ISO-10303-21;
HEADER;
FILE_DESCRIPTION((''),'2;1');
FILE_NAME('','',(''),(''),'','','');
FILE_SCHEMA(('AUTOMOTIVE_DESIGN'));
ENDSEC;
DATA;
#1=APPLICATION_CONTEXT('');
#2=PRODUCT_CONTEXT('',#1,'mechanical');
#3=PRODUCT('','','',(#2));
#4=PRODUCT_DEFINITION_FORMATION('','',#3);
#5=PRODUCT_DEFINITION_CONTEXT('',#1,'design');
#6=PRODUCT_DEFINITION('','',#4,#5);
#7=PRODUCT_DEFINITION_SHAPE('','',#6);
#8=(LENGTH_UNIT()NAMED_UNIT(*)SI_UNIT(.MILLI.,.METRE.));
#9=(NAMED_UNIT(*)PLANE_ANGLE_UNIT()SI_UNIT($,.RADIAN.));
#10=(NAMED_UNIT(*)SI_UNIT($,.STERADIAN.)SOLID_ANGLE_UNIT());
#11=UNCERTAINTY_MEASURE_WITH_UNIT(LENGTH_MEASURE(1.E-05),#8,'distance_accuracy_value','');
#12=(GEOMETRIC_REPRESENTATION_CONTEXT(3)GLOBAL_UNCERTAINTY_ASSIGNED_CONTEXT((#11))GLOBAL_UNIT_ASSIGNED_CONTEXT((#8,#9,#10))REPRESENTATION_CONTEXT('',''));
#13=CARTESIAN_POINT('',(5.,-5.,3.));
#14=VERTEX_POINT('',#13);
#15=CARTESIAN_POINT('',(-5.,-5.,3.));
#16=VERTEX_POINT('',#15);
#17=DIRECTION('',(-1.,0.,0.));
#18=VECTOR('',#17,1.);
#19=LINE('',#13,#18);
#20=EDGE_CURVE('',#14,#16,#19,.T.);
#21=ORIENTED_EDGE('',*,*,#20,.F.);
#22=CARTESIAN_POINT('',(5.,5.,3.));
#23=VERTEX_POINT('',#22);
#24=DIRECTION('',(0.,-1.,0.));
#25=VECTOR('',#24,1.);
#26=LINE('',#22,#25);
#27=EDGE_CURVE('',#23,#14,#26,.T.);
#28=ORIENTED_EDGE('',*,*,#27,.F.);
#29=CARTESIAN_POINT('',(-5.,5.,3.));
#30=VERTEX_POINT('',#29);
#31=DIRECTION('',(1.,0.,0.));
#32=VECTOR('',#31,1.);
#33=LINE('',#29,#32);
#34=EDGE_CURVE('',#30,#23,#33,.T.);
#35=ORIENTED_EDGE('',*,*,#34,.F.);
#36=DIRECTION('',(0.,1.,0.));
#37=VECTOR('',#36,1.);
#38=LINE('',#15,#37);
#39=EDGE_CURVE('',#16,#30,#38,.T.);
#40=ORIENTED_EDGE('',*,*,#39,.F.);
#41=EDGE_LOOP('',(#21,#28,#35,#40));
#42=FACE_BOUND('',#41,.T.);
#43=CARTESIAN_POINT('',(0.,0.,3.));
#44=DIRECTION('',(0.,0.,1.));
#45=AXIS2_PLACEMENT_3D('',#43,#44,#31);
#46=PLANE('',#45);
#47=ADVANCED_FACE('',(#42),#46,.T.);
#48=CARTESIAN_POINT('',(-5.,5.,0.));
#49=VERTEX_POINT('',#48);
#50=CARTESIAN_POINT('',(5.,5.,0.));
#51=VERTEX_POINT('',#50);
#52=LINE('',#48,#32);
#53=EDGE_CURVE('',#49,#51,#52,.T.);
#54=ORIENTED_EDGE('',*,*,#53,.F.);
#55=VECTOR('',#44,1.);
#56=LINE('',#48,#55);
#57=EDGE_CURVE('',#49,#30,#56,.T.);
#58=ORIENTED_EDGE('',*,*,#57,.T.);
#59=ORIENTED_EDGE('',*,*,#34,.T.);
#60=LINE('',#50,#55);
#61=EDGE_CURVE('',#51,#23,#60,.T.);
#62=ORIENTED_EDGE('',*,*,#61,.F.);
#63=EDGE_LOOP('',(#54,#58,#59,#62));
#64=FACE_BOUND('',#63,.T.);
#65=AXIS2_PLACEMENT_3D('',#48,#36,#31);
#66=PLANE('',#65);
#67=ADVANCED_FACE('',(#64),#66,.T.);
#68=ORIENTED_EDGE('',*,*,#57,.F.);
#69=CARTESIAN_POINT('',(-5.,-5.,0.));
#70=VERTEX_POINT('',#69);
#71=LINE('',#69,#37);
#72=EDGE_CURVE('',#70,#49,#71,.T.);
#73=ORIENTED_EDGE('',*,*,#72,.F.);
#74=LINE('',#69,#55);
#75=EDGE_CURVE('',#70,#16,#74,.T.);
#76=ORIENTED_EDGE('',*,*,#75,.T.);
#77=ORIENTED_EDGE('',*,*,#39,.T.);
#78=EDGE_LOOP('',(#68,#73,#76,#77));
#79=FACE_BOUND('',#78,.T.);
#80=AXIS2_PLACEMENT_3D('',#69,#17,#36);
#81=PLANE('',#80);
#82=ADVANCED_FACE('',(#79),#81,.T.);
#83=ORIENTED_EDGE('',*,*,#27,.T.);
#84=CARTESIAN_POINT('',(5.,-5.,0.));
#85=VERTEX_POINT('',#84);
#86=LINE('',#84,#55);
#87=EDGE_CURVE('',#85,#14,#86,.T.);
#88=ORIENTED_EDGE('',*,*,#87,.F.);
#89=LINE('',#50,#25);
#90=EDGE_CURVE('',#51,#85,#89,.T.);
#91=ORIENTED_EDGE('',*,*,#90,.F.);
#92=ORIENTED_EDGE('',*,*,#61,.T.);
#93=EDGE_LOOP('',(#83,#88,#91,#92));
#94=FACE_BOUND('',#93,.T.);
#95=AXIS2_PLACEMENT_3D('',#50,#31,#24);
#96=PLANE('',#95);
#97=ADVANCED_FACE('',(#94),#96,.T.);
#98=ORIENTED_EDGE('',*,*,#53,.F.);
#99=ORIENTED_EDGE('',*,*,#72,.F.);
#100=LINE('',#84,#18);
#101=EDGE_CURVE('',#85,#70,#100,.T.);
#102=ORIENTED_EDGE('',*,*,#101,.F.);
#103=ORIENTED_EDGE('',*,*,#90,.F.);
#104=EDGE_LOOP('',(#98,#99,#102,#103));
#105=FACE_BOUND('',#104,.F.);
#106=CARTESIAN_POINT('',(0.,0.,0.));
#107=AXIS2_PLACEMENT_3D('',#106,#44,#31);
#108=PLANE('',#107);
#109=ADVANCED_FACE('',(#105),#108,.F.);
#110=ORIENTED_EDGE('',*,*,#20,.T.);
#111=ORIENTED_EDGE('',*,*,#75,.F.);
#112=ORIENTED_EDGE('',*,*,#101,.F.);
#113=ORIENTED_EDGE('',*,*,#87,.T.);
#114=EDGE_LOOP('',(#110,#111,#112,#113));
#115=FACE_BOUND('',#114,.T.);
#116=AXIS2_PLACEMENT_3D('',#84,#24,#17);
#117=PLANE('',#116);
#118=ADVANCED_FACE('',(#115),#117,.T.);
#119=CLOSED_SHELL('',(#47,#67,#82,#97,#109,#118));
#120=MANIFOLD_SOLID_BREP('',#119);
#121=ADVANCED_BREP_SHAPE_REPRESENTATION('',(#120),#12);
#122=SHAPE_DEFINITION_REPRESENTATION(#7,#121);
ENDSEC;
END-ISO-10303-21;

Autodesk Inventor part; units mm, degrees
ref_plane "YZ Plane" through (0, 0, 0) normal (1, 0, 0) x (0, 1, 0)
ref_plane "XZ Plane" through (0, 0, 0) normal (0, 1, 0) x (-1, 0, 0)
ref_plane "XY Plane" through (0, 0, 0) normal (0, 0, 1) x (1, 0, 0)
sketch "Sketch1" plane through (0, 0, 0) normal (0, 0, 1) x (1, 0, 0)
  line L0 (-5, 5) -> (5, 5)
  line L1 (5, 5) -> (5, -5)
  line L2 (5, -5) -> (-5, -5)
  line L3 (-5, -5) -> (-5, 5)
  point P0 (0, 0)
  dimension "d0" = 10
  dimension "d1" = 10
  dimension "d2" = 5
  dimension "d3" = 5
extrude "Extrusion1" add sketch "Sketch1" along normal blind 3
equation "\"d2\" = 0.5 * d0"
equation "\"d3\" = 0.5 * d1"
properties part number "filipeSample"
